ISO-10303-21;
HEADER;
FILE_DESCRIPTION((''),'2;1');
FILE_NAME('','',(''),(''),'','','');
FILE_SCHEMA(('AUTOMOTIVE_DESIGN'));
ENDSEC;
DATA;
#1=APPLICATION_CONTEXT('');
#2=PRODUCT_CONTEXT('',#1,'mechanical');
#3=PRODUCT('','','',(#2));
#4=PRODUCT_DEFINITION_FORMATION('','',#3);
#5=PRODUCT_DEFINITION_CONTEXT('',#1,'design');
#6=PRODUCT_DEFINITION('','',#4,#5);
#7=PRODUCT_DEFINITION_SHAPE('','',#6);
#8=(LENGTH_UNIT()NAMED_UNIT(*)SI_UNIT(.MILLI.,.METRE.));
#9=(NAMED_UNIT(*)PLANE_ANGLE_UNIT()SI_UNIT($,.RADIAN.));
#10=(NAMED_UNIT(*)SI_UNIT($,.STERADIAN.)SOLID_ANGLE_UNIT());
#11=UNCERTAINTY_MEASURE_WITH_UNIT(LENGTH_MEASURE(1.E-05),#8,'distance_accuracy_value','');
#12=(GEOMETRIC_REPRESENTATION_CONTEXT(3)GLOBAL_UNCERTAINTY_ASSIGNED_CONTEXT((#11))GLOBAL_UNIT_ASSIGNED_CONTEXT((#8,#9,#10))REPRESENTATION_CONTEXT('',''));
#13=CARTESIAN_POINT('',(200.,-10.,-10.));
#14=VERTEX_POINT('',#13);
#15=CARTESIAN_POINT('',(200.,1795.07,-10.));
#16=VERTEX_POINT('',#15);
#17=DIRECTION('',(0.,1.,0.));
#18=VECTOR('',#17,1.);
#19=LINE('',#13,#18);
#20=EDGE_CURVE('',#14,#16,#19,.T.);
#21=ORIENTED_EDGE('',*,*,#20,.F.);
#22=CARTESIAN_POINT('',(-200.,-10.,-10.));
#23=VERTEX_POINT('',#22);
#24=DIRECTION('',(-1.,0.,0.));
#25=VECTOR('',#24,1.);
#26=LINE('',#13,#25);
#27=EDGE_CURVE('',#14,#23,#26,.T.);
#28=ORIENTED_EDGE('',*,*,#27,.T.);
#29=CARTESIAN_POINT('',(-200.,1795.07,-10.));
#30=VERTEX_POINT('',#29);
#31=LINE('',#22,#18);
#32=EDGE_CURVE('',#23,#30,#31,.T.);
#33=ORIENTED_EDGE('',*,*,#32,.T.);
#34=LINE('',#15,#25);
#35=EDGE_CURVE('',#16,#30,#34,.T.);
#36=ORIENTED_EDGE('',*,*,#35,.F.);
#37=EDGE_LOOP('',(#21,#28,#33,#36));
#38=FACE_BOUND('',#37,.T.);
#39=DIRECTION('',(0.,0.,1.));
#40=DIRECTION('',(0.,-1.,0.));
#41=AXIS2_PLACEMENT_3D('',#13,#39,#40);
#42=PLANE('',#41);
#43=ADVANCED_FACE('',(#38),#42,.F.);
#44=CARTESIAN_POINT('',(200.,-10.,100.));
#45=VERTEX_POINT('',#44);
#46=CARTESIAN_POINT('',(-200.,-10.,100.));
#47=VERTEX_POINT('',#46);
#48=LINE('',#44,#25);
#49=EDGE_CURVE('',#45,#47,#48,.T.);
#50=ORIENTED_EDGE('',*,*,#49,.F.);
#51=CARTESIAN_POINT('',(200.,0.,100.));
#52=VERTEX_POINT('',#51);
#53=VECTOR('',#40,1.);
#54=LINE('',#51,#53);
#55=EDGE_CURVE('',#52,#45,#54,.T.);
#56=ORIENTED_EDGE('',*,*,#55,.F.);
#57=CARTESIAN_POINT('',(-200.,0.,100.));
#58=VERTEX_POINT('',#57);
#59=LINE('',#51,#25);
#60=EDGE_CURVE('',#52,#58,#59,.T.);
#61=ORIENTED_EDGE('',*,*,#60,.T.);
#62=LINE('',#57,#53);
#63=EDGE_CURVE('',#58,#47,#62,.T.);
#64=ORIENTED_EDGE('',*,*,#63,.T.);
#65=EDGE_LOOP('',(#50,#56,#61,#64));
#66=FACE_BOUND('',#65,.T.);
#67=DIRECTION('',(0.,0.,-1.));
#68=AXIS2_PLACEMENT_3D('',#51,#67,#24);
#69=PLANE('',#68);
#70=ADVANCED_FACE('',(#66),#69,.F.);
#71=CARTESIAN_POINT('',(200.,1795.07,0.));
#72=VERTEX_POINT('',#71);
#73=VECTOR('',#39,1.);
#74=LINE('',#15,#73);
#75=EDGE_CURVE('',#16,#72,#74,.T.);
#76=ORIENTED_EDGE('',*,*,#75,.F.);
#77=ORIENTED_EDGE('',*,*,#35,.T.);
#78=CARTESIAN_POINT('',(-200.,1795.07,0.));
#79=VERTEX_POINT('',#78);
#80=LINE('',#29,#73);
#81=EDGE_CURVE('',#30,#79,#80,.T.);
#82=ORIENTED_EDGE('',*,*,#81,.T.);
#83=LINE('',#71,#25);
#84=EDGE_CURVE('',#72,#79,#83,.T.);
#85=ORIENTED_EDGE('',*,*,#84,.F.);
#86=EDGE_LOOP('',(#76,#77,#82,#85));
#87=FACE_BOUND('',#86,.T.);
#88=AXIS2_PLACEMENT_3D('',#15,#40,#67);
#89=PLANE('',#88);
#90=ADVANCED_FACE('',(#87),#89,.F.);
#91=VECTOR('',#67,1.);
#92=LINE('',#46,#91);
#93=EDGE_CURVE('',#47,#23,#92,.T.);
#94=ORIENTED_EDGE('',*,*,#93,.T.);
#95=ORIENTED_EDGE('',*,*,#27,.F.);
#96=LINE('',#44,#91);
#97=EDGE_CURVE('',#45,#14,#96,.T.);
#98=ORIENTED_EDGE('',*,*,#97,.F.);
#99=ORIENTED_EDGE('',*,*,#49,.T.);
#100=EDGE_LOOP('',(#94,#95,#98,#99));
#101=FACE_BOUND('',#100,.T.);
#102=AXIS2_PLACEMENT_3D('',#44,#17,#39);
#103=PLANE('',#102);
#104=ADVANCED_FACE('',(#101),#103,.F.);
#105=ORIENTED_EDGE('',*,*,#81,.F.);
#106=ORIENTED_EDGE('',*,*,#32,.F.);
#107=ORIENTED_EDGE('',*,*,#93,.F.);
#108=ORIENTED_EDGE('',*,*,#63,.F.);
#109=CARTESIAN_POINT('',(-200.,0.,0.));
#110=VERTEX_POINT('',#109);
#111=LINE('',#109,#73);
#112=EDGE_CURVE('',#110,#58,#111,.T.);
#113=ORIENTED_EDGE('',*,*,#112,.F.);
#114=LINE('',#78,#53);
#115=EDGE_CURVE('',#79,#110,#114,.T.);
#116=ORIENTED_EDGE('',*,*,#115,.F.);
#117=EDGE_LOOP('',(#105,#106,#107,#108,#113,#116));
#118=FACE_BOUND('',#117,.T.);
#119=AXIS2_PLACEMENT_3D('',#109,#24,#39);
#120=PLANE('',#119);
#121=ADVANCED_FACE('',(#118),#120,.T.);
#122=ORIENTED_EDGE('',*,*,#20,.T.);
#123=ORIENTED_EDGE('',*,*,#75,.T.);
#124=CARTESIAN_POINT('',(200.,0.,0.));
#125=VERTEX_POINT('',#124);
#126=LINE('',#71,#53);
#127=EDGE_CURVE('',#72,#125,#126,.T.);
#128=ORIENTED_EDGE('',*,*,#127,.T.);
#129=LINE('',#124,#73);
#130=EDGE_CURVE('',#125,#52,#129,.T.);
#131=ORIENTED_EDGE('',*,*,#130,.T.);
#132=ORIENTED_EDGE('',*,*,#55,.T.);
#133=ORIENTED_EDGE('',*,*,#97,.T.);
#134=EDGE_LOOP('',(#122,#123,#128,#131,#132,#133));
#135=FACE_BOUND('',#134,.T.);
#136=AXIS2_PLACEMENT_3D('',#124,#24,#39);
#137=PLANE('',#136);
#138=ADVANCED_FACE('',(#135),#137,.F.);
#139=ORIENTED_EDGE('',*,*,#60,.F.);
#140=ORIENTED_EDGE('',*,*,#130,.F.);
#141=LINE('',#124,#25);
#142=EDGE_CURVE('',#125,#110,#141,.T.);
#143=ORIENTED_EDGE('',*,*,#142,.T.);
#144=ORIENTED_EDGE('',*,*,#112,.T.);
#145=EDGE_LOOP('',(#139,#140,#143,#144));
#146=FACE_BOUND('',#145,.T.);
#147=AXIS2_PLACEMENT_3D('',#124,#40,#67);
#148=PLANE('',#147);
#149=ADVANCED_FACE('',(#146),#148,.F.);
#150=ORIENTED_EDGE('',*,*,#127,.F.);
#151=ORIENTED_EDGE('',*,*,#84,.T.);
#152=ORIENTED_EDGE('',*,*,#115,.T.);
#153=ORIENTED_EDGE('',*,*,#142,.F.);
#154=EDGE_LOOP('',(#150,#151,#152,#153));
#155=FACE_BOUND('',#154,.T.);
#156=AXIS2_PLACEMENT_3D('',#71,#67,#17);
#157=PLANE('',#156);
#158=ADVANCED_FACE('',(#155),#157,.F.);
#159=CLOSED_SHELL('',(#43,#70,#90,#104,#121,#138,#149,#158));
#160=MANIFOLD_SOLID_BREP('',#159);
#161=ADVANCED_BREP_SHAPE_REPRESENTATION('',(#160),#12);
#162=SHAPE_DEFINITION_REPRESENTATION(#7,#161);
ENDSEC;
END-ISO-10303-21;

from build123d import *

# Parameters (mm, degrees)
BOSS_EXTRUDE1_DEPTH = 200


with BuildPart() as part:
    # Sketch1 → Boss-Extrude1 (new, symmetric)
    with BuildSketch(Plane(origin=(0, 0, 0), x_dir=(0, 0, -1), z_dir=(1, 0, 0))):
        Polygon((0, 0), (-100, 0), (-100, -10), (10, -10), (10, 1795.07), (0, 1795.07), align=None)
    extrude(amount=BOSS_EXTRUDE1_DEPTH, both=True)


solid = part.part
